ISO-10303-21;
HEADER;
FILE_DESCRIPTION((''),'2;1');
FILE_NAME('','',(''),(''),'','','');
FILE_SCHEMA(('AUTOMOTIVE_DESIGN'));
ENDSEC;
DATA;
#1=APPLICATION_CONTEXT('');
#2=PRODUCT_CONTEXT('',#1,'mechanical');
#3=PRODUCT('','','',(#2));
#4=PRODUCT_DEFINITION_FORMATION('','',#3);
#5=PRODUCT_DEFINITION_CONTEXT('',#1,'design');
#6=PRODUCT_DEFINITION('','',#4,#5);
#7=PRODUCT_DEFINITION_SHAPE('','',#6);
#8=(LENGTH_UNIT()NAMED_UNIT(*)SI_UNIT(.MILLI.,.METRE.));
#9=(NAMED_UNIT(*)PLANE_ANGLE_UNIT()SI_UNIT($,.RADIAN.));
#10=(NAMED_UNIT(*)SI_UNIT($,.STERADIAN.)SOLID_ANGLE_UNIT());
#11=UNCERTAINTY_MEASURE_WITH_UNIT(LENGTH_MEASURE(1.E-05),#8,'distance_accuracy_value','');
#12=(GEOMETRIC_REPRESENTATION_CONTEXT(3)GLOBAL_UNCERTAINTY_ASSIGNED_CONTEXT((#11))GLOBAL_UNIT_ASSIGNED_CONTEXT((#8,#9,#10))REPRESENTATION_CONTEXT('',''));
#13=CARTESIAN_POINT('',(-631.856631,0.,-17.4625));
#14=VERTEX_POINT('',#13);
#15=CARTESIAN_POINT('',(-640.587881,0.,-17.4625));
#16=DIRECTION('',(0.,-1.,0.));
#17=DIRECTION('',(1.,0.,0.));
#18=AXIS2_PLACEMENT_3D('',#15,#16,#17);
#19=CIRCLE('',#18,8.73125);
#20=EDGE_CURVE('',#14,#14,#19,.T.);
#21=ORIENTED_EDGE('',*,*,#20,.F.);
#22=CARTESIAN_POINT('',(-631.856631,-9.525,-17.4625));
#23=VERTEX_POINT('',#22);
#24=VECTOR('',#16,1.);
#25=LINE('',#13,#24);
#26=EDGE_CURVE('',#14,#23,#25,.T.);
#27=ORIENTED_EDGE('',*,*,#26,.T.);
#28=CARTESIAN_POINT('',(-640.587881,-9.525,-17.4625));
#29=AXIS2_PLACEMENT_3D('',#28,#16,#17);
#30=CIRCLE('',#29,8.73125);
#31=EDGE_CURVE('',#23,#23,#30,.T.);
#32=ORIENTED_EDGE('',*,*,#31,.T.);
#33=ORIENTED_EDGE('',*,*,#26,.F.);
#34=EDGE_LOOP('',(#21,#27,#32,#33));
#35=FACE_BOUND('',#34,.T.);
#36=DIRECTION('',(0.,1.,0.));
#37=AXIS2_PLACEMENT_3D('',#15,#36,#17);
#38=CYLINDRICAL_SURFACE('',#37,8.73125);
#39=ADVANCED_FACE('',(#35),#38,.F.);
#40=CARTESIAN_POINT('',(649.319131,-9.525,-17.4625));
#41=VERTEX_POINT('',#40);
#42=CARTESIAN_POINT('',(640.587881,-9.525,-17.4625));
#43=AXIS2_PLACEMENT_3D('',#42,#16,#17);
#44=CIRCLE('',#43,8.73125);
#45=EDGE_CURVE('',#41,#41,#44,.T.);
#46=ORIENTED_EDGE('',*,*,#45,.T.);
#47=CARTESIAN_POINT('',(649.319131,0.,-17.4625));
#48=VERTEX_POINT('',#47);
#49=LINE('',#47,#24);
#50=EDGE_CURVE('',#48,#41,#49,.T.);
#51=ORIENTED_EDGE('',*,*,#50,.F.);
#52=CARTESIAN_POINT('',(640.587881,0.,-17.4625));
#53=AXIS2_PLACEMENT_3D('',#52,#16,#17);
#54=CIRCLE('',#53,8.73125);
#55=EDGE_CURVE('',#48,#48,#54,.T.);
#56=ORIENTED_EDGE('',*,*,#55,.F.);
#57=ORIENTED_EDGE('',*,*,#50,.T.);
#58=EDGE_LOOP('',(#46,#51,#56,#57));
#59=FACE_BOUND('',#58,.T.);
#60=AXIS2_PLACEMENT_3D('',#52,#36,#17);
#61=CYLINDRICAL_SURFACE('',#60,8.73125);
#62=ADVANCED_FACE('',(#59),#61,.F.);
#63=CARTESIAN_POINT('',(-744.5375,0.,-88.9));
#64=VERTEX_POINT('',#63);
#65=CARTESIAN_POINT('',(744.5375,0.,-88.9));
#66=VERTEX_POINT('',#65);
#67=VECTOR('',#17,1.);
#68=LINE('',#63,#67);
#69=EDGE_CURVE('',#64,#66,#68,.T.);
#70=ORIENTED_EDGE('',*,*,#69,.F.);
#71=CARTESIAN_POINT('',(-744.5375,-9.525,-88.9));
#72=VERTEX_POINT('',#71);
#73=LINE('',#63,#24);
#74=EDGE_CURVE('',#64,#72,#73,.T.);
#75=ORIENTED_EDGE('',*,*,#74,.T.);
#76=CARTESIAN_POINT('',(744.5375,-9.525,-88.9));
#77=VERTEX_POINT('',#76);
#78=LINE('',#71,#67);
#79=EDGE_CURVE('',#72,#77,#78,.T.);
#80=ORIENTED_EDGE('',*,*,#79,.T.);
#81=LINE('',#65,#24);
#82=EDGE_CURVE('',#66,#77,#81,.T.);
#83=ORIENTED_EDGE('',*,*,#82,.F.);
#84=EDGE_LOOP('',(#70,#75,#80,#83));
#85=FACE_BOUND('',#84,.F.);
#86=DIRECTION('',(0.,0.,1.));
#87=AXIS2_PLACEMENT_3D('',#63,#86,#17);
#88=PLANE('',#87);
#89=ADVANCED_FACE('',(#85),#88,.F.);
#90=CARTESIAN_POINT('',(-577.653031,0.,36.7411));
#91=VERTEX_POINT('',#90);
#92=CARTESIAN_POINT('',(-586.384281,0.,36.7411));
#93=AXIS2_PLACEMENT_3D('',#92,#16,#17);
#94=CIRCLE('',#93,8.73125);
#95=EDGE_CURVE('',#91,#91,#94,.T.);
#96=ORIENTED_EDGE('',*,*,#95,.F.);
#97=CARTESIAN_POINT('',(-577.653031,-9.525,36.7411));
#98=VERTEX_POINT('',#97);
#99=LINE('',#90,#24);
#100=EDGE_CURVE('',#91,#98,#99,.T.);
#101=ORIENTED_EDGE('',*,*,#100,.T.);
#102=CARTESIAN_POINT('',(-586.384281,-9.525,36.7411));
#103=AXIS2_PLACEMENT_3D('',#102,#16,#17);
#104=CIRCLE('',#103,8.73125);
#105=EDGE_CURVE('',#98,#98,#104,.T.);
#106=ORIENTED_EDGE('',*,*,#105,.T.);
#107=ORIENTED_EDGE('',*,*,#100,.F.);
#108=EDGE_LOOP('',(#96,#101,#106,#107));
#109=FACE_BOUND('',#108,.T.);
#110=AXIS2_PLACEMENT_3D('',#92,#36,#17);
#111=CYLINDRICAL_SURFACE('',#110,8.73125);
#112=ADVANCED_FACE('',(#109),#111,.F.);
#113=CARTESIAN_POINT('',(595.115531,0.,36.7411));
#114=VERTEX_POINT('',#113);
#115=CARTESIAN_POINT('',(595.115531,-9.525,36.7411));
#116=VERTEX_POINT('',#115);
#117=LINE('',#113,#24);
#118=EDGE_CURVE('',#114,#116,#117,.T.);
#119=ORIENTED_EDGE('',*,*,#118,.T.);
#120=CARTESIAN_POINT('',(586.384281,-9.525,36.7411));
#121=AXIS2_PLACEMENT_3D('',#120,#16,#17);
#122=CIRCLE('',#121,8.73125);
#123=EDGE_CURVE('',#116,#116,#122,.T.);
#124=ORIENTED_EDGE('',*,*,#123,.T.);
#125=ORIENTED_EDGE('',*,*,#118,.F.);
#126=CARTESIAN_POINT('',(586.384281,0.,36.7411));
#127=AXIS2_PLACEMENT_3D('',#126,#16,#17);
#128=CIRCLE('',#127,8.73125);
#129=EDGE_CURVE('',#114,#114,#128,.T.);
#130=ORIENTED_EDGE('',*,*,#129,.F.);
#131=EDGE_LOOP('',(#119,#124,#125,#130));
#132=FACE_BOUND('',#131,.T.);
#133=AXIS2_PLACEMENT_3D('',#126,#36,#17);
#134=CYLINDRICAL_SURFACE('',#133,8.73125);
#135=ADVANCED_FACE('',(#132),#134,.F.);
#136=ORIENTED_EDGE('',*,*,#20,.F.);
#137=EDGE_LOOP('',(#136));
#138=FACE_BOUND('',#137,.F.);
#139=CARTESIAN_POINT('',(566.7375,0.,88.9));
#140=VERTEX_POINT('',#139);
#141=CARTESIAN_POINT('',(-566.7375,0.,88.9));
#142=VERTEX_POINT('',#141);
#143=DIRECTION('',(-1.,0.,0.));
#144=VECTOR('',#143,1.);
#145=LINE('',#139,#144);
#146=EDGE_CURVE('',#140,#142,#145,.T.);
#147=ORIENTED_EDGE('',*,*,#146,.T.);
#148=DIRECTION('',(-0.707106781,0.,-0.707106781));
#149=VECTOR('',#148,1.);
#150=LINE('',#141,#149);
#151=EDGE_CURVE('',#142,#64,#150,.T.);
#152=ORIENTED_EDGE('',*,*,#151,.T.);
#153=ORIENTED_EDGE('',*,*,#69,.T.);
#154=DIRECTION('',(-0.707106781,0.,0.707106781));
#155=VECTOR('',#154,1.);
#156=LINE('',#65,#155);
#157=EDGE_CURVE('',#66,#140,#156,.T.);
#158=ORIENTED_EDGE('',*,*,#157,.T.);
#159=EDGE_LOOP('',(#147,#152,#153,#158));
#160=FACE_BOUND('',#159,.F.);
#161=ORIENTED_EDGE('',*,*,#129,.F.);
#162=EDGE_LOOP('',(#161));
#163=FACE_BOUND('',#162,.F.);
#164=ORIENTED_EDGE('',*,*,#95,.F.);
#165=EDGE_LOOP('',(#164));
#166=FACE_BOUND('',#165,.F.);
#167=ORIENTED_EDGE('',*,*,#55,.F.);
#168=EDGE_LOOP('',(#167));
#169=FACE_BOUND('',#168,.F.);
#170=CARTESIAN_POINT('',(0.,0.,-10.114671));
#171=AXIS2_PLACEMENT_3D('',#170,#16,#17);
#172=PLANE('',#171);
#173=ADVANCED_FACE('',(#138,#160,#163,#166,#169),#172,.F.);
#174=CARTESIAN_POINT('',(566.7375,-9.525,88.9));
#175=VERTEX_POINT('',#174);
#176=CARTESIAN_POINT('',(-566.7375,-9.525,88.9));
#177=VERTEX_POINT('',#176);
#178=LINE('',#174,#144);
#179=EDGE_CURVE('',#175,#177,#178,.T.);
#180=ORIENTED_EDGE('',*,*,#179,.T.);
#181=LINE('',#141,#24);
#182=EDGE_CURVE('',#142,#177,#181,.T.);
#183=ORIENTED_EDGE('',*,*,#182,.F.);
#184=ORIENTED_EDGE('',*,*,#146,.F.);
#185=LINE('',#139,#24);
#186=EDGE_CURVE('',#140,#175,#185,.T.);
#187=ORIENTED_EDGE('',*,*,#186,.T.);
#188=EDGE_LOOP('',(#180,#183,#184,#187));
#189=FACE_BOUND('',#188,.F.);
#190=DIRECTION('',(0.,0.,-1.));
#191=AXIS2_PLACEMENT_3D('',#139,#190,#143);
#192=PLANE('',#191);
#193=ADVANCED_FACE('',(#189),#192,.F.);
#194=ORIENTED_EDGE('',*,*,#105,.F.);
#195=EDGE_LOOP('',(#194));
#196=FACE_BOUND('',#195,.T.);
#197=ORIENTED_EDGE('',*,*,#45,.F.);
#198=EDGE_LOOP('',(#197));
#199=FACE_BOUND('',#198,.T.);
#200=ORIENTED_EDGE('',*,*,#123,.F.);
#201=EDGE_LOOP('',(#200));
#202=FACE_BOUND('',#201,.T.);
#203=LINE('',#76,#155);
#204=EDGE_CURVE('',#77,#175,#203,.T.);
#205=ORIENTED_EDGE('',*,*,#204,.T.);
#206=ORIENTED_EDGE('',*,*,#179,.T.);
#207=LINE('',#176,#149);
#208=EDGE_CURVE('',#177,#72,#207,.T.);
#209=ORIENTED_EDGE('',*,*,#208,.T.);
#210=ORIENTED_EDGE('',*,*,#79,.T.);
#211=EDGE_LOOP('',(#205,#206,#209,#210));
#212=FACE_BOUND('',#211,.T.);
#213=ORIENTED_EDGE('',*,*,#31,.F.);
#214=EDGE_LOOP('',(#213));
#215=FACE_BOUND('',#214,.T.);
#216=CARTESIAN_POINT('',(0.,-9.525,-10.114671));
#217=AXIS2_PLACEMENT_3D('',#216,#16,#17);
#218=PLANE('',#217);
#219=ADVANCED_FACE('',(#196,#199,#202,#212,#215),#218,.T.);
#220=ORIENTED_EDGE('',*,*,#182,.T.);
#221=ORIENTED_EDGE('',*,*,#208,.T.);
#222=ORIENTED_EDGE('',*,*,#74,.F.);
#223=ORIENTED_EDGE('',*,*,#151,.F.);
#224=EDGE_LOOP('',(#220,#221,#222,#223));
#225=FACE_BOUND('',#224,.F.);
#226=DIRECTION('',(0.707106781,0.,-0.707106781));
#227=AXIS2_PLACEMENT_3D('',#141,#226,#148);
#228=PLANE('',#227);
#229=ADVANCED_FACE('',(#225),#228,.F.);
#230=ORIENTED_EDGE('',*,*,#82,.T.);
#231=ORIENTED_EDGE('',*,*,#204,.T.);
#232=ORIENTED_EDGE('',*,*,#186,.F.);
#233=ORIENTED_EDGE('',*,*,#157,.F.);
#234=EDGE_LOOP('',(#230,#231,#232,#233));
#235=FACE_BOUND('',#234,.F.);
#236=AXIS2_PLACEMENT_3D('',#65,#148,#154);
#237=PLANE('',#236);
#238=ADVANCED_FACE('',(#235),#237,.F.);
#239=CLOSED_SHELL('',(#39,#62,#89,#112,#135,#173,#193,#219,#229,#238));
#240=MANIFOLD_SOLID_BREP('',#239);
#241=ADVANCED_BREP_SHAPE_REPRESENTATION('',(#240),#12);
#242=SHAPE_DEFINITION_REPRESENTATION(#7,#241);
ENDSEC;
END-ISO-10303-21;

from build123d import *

# Parameters (mm, degrees)
F0_R     = 8.73125
F1_DEPTH = 9.525


with BuildPart() as f1:
    # F0 (on Front) → F1 (new body)
    with BuildSketch(Plane.XZ):
        Polygon((-744.5375, -88.9), (744.5375, -88.9), (566.7375, 88.9), (-566.7375, 88.9), align=None)
        with Locations((-640.587881, -17.4625)):
            Circle(F0_R, mode=Mode.SUBTRACT)
        with Locations((640.587881, -17.4625)):
            Circle(F0_R, mode=Mode.SUBTRACT)
        with Locations((-586.384281, 36.7411)):
            Circle(F0_R, mode=Mode.SUBTRACT)
        with Locations((586.384281, 36.7411)):
            Circle(F0_R, mode=Mode.SUBTRACT)
    extrude(amount=F1_DEPTH)


solid = f1.part
